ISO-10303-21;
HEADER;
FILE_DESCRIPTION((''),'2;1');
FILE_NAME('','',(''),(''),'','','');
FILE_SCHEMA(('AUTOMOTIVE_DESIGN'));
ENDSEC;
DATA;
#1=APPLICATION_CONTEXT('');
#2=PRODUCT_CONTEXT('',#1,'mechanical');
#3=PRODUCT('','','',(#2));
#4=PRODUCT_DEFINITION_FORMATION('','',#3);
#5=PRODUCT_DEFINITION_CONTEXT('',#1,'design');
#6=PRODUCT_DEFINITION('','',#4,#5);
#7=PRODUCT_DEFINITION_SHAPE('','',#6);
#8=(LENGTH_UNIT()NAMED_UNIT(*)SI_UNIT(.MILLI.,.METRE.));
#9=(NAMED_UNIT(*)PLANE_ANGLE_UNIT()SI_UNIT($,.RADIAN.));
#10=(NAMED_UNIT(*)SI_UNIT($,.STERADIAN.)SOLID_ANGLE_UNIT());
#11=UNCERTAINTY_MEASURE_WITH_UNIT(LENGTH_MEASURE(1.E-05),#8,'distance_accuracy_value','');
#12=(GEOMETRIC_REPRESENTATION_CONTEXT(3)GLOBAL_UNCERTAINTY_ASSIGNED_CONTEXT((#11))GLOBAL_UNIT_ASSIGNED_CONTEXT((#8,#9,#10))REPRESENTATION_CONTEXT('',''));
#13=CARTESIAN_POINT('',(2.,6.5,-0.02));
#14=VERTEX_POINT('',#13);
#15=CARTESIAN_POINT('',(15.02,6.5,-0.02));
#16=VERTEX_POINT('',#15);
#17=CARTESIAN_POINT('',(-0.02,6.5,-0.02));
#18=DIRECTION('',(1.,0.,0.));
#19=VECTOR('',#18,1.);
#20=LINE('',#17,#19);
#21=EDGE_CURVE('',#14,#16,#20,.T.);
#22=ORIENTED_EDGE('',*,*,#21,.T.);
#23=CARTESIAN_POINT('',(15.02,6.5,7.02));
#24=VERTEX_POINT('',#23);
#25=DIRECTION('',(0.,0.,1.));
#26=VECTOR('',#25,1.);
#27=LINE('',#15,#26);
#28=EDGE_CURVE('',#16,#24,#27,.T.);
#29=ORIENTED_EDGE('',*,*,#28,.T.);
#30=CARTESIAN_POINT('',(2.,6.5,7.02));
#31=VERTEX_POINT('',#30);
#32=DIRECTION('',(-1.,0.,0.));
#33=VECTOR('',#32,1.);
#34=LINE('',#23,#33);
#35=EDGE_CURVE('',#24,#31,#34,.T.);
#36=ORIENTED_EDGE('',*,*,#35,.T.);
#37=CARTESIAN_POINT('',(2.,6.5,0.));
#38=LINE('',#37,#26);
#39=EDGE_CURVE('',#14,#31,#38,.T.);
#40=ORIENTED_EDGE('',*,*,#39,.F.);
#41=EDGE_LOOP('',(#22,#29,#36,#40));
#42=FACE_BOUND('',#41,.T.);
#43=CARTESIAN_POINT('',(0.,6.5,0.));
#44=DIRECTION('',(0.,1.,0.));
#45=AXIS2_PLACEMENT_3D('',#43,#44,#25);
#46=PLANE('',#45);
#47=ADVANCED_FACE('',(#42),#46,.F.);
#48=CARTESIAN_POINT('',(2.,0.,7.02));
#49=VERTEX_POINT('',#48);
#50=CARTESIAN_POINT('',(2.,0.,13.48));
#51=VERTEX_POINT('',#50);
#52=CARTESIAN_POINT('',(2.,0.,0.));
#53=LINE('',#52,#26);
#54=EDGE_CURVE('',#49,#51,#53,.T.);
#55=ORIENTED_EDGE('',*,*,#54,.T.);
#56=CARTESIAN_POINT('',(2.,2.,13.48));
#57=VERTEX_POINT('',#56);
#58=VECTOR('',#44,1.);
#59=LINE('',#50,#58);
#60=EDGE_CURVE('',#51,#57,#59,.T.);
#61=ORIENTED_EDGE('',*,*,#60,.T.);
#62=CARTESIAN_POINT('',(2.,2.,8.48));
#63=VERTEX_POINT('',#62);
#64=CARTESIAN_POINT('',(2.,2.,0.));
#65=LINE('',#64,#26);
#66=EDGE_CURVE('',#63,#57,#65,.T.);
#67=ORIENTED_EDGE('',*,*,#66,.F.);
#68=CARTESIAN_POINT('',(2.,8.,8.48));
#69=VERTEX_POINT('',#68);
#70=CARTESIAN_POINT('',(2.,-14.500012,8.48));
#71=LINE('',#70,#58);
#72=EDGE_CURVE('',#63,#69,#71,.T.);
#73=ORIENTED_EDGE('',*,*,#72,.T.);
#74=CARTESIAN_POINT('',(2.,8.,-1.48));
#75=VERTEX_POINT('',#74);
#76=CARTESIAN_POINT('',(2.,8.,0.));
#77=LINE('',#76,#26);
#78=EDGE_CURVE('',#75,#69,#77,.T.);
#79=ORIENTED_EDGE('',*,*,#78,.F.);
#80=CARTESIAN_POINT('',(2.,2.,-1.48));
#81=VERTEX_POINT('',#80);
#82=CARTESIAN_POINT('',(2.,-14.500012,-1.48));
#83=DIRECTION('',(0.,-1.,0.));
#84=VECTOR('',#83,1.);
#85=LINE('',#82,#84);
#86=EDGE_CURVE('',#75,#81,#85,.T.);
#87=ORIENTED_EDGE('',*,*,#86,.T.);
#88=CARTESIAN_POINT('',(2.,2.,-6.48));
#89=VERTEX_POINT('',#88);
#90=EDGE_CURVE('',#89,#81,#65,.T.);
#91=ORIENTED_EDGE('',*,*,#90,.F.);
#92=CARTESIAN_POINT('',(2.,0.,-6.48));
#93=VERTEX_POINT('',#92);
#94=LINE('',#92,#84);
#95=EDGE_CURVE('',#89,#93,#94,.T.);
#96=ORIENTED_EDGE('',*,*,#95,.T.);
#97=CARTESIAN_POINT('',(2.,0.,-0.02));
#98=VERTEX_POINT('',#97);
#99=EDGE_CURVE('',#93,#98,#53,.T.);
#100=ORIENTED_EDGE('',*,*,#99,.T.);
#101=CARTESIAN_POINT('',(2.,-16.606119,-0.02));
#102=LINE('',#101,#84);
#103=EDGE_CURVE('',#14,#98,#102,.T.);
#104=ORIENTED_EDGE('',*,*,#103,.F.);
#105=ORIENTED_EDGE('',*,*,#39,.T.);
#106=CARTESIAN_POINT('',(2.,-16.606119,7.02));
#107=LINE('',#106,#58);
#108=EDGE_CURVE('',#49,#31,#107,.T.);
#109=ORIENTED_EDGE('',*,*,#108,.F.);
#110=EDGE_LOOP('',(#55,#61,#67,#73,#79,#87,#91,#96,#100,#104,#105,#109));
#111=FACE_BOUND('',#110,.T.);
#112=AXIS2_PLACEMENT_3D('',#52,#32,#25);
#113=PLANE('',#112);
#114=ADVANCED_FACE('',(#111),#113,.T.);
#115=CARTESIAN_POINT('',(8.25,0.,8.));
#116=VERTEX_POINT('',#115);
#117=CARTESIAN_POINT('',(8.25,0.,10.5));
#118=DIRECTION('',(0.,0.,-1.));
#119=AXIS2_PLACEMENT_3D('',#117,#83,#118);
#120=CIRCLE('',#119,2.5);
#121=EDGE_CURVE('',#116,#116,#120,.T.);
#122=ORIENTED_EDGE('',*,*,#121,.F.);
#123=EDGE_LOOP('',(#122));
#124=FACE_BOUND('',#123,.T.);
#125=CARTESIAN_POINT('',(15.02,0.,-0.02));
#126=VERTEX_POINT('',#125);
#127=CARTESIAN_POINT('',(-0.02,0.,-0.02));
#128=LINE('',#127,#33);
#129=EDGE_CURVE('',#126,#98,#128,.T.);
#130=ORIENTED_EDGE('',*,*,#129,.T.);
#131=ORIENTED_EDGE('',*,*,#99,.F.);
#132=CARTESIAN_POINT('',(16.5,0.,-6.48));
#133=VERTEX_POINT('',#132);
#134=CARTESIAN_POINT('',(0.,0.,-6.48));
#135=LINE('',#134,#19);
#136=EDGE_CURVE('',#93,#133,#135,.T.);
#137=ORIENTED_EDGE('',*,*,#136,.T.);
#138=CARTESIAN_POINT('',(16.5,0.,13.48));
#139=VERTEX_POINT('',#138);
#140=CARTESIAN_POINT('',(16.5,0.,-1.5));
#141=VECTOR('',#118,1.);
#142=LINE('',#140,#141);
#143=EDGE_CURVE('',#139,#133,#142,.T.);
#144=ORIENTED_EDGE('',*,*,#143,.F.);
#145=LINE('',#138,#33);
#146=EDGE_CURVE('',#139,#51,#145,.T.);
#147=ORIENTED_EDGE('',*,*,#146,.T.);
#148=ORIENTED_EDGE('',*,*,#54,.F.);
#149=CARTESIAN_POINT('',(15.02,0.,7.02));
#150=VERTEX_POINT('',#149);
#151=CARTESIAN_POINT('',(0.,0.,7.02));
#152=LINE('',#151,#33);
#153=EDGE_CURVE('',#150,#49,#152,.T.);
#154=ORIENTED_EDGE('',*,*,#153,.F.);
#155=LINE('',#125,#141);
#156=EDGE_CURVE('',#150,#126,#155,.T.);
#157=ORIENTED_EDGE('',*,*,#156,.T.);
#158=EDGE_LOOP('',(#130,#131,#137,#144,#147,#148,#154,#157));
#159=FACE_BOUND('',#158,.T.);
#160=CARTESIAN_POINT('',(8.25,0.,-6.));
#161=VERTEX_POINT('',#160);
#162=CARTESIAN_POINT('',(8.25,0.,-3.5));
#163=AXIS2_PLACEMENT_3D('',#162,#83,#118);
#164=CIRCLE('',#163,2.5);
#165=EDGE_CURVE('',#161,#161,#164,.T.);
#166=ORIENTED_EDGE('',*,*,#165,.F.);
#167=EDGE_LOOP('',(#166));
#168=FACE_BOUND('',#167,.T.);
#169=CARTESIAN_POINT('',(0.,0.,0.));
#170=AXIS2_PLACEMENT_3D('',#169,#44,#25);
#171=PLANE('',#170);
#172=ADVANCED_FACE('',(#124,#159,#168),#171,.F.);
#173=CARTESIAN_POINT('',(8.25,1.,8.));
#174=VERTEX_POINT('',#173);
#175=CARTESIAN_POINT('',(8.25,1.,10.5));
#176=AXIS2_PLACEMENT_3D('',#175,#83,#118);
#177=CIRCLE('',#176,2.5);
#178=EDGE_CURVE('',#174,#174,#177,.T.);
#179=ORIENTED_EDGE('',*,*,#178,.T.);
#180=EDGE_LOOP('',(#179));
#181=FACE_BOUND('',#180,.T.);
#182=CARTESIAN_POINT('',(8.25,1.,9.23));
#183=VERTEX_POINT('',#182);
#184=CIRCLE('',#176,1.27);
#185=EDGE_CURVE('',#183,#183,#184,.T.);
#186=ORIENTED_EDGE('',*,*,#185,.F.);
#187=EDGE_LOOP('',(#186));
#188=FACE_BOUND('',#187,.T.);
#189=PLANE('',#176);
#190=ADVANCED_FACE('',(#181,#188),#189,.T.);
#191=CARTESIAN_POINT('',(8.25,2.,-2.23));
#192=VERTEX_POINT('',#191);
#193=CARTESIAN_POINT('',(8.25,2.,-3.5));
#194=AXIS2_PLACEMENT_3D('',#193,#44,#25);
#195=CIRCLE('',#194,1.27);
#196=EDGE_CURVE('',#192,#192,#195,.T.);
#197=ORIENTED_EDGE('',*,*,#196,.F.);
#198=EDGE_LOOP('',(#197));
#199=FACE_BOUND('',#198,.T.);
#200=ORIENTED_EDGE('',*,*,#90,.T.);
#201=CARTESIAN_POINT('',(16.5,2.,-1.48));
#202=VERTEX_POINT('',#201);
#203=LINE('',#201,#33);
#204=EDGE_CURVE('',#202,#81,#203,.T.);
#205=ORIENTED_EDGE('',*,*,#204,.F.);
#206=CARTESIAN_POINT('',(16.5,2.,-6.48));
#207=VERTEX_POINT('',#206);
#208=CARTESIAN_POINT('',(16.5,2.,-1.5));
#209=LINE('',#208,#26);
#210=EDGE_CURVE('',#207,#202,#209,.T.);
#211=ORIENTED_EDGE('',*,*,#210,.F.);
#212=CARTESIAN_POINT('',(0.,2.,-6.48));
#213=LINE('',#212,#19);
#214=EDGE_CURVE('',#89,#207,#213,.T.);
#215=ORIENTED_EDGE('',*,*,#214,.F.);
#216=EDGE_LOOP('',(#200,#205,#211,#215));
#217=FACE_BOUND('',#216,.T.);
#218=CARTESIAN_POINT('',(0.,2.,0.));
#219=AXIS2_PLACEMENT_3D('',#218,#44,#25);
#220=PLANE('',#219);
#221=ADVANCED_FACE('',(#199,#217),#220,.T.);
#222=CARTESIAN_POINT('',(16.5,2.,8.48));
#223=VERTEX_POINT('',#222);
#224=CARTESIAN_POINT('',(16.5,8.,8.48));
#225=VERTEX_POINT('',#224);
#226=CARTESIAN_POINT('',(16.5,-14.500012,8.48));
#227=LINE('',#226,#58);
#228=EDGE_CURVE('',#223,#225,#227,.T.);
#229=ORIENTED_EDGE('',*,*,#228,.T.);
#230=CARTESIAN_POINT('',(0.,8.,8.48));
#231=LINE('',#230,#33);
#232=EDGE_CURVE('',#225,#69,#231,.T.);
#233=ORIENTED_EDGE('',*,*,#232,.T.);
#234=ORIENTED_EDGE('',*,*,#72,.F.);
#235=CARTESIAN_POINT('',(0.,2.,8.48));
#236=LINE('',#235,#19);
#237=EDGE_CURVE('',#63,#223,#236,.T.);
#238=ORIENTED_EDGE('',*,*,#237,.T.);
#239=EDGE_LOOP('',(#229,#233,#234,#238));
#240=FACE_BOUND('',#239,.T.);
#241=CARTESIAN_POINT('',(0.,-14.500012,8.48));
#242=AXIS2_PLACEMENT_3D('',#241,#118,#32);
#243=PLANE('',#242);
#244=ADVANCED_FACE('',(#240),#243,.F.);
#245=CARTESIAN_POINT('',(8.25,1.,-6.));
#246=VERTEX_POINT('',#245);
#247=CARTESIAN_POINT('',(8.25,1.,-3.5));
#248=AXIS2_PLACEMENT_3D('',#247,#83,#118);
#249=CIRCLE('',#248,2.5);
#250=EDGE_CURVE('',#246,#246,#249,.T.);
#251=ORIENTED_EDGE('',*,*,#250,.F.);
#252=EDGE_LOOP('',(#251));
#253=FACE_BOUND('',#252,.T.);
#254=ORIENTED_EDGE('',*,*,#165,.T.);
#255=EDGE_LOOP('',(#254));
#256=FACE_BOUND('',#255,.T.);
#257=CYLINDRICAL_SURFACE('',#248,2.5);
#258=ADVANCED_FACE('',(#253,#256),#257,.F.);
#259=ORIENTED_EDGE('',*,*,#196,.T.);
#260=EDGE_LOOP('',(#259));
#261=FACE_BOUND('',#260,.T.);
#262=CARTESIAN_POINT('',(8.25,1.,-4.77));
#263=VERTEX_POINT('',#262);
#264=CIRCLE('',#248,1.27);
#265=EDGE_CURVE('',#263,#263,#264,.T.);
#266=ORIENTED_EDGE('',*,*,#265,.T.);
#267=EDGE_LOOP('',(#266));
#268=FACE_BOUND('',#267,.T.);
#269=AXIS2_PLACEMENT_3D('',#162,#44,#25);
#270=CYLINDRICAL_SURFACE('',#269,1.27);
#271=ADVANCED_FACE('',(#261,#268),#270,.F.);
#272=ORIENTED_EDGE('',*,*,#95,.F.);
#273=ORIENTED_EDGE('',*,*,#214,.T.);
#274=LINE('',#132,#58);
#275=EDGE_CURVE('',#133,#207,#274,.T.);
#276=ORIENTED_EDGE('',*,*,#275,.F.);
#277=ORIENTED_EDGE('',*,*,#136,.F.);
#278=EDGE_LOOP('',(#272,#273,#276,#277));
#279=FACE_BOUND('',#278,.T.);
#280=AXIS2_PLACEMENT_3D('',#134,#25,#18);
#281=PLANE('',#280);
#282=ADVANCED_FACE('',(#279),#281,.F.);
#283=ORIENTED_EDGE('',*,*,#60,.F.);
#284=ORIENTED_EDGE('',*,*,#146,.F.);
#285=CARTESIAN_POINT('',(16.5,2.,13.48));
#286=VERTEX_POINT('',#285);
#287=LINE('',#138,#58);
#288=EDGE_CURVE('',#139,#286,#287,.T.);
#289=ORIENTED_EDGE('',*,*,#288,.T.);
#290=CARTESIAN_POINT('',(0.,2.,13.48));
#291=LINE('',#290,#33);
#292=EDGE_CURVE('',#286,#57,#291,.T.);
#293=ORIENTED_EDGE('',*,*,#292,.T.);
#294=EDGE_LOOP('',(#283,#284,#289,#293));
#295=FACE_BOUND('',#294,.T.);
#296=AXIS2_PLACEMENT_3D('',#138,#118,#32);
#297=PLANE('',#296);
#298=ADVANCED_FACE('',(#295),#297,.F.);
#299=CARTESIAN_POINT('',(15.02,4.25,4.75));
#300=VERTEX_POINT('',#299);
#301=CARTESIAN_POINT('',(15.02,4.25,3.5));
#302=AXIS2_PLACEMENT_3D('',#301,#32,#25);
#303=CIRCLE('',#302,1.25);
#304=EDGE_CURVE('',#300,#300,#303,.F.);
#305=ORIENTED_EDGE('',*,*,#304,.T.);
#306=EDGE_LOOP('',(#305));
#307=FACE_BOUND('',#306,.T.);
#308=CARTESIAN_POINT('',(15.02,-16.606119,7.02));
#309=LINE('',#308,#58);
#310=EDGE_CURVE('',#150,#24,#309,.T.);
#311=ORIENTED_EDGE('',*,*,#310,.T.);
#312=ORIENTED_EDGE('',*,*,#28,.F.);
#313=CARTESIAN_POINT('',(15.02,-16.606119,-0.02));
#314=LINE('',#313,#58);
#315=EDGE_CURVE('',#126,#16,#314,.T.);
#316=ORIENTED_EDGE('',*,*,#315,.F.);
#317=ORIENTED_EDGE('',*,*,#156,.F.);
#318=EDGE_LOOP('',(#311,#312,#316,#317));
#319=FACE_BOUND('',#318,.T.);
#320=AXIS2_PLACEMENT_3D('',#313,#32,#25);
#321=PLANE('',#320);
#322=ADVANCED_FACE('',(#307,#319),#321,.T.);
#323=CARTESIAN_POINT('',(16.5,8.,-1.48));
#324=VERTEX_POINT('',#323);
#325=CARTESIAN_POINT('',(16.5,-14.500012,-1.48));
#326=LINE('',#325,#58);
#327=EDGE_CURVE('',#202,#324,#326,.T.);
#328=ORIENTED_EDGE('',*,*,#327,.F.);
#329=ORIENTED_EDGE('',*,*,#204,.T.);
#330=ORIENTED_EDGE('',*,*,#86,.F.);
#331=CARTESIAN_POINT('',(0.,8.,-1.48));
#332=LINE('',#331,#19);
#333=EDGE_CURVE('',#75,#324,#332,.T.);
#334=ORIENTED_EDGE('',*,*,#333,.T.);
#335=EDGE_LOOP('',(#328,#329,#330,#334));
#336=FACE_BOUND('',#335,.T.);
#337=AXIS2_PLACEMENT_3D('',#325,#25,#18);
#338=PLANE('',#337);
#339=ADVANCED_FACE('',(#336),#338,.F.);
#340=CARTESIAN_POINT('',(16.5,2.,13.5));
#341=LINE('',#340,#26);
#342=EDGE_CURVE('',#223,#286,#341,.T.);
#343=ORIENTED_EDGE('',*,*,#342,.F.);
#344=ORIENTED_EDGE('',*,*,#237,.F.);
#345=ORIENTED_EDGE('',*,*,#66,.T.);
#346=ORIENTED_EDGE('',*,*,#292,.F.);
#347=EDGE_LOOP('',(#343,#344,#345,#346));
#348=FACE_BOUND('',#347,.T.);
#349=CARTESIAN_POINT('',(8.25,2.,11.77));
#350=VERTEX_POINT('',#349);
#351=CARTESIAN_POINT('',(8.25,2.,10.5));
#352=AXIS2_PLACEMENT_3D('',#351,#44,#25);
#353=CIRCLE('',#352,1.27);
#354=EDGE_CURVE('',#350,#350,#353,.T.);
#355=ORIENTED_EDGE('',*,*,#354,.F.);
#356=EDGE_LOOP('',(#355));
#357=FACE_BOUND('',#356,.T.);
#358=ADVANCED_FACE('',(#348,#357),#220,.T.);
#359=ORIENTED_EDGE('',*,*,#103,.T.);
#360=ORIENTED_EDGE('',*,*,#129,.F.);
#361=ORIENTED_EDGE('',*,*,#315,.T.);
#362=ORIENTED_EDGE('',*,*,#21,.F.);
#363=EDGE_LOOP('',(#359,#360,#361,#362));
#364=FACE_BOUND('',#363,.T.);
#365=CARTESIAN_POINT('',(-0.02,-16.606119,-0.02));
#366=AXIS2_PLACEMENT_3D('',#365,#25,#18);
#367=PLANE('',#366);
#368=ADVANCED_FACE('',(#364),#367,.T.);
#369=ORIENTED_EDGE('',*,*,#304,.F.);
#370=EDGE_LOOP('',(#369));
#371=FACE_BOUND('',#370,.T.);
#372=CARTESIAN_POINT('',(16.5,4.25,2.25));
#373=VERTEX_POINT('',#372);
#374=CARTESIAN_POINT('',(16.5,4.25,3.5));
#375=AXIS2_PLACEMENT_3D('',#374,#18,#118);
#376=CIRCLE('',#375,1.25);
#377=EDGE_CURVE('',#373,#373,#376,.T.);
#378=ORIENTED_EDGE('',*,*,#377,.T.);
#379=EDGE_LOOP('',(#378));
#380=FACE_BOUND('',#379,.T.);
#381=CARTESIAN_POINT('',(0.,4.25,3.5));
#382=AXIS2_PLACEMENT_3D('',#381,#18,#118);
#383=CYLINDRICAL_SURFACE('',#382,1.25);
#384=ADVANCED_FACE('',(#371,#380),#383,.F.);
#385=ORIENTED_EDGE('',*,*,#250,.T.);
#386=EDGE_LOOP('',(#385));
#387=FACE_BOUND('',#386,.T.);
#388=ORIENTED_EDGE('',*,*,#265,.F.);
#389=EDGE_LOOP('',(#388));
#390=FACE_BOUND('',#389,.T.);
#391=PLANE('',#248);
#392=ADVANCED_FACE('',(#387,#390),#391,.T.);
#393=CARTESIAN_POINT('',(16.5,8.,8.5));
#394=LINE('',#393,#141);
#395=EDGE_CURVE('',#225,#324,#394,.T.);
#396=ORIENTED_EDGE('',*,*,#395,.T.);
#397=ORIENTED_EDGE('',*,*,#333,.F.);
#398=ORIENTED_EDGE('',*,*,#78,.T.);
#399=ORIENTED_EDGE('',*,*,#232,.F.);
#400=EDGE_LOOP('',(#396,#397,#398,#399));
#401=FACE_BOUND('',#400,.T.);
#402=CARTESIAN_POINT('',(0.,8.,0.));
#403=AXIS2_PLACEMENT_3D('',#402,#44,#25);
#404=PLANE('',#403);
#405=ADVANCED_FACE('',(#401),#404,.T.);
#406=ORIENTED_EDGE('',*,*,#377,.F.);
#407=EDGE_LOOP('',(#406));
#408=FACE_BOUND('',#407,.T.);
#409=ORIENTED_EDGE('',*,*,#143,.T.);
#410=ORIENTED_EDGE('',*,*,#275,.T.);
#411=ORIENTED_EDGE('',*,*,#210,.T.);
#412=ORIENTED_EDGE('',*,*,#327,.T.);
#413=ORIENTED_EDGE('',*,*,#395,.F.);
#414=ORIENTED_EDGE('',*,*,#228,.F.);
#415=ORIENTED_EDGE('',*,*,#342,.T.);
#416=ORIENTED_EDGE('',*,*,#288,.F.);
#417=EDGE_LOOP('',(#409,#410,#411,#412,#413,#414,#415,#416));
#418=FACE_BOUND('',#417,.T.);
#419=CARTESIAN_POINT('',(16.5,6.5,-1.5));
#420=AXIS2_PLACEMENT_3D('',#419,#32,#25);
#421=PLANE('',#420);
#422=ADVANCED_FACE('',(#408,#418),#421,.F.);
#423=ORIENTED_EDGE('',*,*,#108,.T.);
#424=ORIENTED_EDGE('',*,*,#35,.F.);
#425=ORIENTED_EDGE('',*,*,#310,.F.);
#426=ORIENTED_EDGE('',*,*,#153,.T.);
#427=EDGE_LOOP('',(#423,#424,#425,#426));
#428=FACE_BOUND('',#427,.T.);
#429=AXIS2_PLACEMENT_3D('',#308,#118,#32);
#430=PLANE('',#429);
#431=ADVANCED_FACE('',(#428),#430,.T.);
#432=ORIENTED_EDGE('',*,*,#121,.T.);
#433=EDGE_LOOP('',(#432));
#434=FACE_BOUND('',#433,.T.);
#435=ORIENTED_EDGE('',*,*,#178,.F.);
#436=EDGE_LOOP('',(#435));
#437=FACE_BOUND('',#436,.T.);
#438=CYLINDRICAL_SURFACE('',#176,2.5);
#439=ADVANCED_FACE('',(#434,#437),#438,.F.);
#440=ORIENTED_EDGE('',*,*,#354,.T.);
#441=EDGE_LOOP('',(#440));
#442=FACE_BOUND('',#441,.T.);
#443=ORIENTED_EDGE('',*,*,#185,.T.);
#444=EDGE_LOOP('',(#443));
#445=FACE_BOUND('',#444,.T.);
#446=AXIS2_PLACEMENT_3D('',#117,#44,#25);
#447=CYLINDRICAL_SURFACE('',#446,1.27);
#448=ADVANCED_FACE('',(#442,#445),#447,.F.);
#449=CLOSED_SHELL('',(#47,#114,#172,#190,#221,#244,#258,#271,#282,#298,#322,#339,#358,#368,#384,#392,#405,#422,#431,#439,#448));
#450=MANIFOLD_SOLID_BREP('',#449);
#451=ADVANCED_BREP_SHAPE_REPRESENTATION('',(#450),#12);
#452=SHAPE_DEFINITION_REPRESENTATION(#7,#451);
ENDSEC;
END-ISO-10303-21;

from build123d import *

# Parameters (mm, degrees)
EXTRUDE_1_DEPTH          = 6.5
EXTRUDE_2_DEPTH          = 1.5
SKETCH_3_R               = 1.25
CUT_EXTRUDE_1_DEPTH      = 21.211382931
SKETCH_4_W               = 16.5
SKETCH_4_H               = 5
EXTRUDE_3_DEPTH          = 2
SKETCH_5_R               = 1.25
CUT_EXTRUDE_2_DEPTH      = 10
SKETCH_6_R               = 2.5
CUT_EXTRUDE_3_DEPTH      = 1
CUT_EXTRUDE_4_DEPTH      = 23.14723459
CUT_EXTRUDE_4_DEPTH_BACK = 23.14723459
SKETCH_7_R               = 1.27
CUT_EXTRUDE_5_DEPTH      = 23.14723459
CUT_EXTRUDE_5_DEPTH_BACK = 23.14723459
SKETCH_8_W               = 16.5
SKETCH_8_H               = 0.229721737
SKETCH_8_H_2             = 0.3558102
CUT_EXTRUDE_6_DEPTH      = 23.758743375
CUT_EXTRUDE_6_DEPTH_BACK = 6
SKETCH_9_W               = 16.5
SKETCH_9_H               = 0.02
SKETCH_10_W              = 15.04
SKETCH_10_H              = 7.04
CUT_EXTRUDE_7_DEPTH      = 6.5
SKETCH_11_W              = 27.526079408
SKETCH_11_H              = 12.932606898
CUT_EXTRUDE_8_DEPTH      = 2


with BuildPart() as part:
    # 草图1 → 凸台-拉伸1 (new body)
    with BuildSketch(Plane(origin=(0, 0, 0), x_dir=(1, 0, 0), z_dir=(0, 1, 0))):
        Polygon((0, 1.5), (16.5, 1.5), (16.5, -8.5), (0, -8.5), (0, -7), (15, -7), (15, 0), (0, 0), align=None)
    extrude(amount=EXTRUDE_1_DEPTH)

    # 草图2 → 凸台-拉伸2 (add)
    with BuildSketch(Plane(origin=(0, 6.5, 0), x_dir=(1, 0, 0), z_dir=(0, 1, 0))):
        Polygon((0, 0), (0, -7), (0, -8.5), (16.5, -8.5), (16.5, 1.5), (0, 1.5), align=None)
    extrude(amount=EXTRUDE_2_DEPTH)

    # 草图3 → 切除-拉伸1 (cut, through all)
    with BuildSketch(Plane(origin=(16.5, 0, 0), x_dir=(0, 0, -1), z_dir=(1, 0, 0))):
        with Locations((-3.5, 4.25)):
            Circle(SKETCH_3_R)
    extrude(amount=-CUT_EXTRUDE_1_DEPTH, mode=Mode.SUBTRACT)

    # 草图4 → 凸台-拉伸3 (add)
    with BuildSketch(Plane.XZ):
        with Locations((8.25, 11)):
            Rectangle(SKETCH_4_W, SKETCH_4_H)
        with Locations((8.25, -4)):
            Rectangle(SKETCH_4_W, SKETCH_4_H)
    extrude(amount=-EXTRUDE_3_DEPTH)

    # 草图5 → 切除-拉伸2 (cut)
    with BuildSketch(Plane.XZ):
        with Locations(Location((8.25, 10.5, 0), (0, 0, 270))):
            Circle(SKETCH_5_R)
        with Locations(Location((8.25, -3.5, 0), (0, 0, 270))):
            Circle(SKETCH_5_R)
    extrude(amount=-CUT_EXTRUDE_2_DEPTH, mode=Mode.SUBTRACT)

    # 草图6 → 切除-拉伸3 (cut)
    with BuildSketch(Plane.XZ):
        with Locations(Location((8.25, 10.5, 0), (0, 0, 270))):
            Circle(SKETCH_6_R)
        with Locations(Location((8.25, -3.5, 0), (0, 0, 270))):
            Circle(SKETCH_6_R)
    extrude(amount=-CUT_EXTRUDE_3_DEPTH, mode=Mode.SUBTRACT)

    # 草图7 → 切除-拉伸4 (cut, two sides: drawn at the far end of the back side and taken through both)
    with BuildSketch(Plane(origin=(0, 2, 0), x_dir=(1, 0, 0), z_dir=(0, 1, 0)).offset(-CUT_EXTRUDE_4_DEPTH_BACK)):
        with Locations(Location((8.25, 3.5, 0), (0, 0, 270))):
            Circle(SKETCH_7_R)
        with Locations(Location((8.25, -10.5, 0), (0, 0, 270))):
            Circle(SKETCH_7_R)
    extrude(amount=CUT_EXTRUDE_4_DEPTH + CUT_EXTRUDE_4_DEPTH_BACK, mode=Mode.SUBTRACT)

    # 草图8 → 切除-拉伸5 (cut, two sides: drawn at the far end of the back side and taken through both)
    with BuildSketch(Plane(origin=(0, 2, 0), x_dir=(1, 0, 0), z_dir=(0, 1, 0)).offset(-CUT_EXTRUDE_5_DEPTH_BACK)):
        with Locations((8.25, 6.594860869)):
            Rectangle(SKETCH_8_W, SKETCH_8_H)
        with Locations((8.25, -13.6579051)):
            Rectangle(SKETCH_8_W, SKETCH_8_H_2)
    extrude(amount=CUT_EXTRUDE_5_DEPTH + CUT_EXTRUDE_5_DEPTH_BACK, mode=Mode.SUBTRACT)

    # 草图9 → 切除-拉伸6 (cut, two sides: drawn at the far end of the back side and taken through both)
    with BuildSketch(Plane(origin=(0, 8, 0), x_dir=(1, 0, 0), z_dir=(0, 1, 0)).offset(-CUT_EXTRUDE_6_DEPTH_BACK)):
        with Locations((8.25, -8.49)):
            Rectangle(SKETCH_9_W, SKETCH_9_H)
        with Locations((8.25, 1.49)):
            Rectangle(SKETCH_9_W, SKETCH_9_H)
    extrude(amount=CUT_EXTRUDE_6_DEPTH + CUT_EXTRUDE_6_DEPTH_BACK, mode=Mode.SUBTRACT)

    # 草图10 → 切除-拉伸7 (cut)
    with BuildSketch(Plane.XZ.offset(-6.5)):
        with Locations((7.5, 3.5)):
            Rectangle(SKETCH_10_W, SKETCH_10_H)
    extrude(amount=CUT_EXTRUDE_7_DEPTH, mode=Mode.SUBTRACT)

    # 草图11 → 切除-拉伸8 (cut)
    with BuildSketch(Plane.ZY):
        with Locations((5.08335855, 3.634609565)):
            Rectangle(SKETCH_11_W, SKETCH_11_H)
    extrude(amount=-CUT_EXTRUDE_8_DEPTH, mode=Mode.SUBTRACT)


solid = part.part
